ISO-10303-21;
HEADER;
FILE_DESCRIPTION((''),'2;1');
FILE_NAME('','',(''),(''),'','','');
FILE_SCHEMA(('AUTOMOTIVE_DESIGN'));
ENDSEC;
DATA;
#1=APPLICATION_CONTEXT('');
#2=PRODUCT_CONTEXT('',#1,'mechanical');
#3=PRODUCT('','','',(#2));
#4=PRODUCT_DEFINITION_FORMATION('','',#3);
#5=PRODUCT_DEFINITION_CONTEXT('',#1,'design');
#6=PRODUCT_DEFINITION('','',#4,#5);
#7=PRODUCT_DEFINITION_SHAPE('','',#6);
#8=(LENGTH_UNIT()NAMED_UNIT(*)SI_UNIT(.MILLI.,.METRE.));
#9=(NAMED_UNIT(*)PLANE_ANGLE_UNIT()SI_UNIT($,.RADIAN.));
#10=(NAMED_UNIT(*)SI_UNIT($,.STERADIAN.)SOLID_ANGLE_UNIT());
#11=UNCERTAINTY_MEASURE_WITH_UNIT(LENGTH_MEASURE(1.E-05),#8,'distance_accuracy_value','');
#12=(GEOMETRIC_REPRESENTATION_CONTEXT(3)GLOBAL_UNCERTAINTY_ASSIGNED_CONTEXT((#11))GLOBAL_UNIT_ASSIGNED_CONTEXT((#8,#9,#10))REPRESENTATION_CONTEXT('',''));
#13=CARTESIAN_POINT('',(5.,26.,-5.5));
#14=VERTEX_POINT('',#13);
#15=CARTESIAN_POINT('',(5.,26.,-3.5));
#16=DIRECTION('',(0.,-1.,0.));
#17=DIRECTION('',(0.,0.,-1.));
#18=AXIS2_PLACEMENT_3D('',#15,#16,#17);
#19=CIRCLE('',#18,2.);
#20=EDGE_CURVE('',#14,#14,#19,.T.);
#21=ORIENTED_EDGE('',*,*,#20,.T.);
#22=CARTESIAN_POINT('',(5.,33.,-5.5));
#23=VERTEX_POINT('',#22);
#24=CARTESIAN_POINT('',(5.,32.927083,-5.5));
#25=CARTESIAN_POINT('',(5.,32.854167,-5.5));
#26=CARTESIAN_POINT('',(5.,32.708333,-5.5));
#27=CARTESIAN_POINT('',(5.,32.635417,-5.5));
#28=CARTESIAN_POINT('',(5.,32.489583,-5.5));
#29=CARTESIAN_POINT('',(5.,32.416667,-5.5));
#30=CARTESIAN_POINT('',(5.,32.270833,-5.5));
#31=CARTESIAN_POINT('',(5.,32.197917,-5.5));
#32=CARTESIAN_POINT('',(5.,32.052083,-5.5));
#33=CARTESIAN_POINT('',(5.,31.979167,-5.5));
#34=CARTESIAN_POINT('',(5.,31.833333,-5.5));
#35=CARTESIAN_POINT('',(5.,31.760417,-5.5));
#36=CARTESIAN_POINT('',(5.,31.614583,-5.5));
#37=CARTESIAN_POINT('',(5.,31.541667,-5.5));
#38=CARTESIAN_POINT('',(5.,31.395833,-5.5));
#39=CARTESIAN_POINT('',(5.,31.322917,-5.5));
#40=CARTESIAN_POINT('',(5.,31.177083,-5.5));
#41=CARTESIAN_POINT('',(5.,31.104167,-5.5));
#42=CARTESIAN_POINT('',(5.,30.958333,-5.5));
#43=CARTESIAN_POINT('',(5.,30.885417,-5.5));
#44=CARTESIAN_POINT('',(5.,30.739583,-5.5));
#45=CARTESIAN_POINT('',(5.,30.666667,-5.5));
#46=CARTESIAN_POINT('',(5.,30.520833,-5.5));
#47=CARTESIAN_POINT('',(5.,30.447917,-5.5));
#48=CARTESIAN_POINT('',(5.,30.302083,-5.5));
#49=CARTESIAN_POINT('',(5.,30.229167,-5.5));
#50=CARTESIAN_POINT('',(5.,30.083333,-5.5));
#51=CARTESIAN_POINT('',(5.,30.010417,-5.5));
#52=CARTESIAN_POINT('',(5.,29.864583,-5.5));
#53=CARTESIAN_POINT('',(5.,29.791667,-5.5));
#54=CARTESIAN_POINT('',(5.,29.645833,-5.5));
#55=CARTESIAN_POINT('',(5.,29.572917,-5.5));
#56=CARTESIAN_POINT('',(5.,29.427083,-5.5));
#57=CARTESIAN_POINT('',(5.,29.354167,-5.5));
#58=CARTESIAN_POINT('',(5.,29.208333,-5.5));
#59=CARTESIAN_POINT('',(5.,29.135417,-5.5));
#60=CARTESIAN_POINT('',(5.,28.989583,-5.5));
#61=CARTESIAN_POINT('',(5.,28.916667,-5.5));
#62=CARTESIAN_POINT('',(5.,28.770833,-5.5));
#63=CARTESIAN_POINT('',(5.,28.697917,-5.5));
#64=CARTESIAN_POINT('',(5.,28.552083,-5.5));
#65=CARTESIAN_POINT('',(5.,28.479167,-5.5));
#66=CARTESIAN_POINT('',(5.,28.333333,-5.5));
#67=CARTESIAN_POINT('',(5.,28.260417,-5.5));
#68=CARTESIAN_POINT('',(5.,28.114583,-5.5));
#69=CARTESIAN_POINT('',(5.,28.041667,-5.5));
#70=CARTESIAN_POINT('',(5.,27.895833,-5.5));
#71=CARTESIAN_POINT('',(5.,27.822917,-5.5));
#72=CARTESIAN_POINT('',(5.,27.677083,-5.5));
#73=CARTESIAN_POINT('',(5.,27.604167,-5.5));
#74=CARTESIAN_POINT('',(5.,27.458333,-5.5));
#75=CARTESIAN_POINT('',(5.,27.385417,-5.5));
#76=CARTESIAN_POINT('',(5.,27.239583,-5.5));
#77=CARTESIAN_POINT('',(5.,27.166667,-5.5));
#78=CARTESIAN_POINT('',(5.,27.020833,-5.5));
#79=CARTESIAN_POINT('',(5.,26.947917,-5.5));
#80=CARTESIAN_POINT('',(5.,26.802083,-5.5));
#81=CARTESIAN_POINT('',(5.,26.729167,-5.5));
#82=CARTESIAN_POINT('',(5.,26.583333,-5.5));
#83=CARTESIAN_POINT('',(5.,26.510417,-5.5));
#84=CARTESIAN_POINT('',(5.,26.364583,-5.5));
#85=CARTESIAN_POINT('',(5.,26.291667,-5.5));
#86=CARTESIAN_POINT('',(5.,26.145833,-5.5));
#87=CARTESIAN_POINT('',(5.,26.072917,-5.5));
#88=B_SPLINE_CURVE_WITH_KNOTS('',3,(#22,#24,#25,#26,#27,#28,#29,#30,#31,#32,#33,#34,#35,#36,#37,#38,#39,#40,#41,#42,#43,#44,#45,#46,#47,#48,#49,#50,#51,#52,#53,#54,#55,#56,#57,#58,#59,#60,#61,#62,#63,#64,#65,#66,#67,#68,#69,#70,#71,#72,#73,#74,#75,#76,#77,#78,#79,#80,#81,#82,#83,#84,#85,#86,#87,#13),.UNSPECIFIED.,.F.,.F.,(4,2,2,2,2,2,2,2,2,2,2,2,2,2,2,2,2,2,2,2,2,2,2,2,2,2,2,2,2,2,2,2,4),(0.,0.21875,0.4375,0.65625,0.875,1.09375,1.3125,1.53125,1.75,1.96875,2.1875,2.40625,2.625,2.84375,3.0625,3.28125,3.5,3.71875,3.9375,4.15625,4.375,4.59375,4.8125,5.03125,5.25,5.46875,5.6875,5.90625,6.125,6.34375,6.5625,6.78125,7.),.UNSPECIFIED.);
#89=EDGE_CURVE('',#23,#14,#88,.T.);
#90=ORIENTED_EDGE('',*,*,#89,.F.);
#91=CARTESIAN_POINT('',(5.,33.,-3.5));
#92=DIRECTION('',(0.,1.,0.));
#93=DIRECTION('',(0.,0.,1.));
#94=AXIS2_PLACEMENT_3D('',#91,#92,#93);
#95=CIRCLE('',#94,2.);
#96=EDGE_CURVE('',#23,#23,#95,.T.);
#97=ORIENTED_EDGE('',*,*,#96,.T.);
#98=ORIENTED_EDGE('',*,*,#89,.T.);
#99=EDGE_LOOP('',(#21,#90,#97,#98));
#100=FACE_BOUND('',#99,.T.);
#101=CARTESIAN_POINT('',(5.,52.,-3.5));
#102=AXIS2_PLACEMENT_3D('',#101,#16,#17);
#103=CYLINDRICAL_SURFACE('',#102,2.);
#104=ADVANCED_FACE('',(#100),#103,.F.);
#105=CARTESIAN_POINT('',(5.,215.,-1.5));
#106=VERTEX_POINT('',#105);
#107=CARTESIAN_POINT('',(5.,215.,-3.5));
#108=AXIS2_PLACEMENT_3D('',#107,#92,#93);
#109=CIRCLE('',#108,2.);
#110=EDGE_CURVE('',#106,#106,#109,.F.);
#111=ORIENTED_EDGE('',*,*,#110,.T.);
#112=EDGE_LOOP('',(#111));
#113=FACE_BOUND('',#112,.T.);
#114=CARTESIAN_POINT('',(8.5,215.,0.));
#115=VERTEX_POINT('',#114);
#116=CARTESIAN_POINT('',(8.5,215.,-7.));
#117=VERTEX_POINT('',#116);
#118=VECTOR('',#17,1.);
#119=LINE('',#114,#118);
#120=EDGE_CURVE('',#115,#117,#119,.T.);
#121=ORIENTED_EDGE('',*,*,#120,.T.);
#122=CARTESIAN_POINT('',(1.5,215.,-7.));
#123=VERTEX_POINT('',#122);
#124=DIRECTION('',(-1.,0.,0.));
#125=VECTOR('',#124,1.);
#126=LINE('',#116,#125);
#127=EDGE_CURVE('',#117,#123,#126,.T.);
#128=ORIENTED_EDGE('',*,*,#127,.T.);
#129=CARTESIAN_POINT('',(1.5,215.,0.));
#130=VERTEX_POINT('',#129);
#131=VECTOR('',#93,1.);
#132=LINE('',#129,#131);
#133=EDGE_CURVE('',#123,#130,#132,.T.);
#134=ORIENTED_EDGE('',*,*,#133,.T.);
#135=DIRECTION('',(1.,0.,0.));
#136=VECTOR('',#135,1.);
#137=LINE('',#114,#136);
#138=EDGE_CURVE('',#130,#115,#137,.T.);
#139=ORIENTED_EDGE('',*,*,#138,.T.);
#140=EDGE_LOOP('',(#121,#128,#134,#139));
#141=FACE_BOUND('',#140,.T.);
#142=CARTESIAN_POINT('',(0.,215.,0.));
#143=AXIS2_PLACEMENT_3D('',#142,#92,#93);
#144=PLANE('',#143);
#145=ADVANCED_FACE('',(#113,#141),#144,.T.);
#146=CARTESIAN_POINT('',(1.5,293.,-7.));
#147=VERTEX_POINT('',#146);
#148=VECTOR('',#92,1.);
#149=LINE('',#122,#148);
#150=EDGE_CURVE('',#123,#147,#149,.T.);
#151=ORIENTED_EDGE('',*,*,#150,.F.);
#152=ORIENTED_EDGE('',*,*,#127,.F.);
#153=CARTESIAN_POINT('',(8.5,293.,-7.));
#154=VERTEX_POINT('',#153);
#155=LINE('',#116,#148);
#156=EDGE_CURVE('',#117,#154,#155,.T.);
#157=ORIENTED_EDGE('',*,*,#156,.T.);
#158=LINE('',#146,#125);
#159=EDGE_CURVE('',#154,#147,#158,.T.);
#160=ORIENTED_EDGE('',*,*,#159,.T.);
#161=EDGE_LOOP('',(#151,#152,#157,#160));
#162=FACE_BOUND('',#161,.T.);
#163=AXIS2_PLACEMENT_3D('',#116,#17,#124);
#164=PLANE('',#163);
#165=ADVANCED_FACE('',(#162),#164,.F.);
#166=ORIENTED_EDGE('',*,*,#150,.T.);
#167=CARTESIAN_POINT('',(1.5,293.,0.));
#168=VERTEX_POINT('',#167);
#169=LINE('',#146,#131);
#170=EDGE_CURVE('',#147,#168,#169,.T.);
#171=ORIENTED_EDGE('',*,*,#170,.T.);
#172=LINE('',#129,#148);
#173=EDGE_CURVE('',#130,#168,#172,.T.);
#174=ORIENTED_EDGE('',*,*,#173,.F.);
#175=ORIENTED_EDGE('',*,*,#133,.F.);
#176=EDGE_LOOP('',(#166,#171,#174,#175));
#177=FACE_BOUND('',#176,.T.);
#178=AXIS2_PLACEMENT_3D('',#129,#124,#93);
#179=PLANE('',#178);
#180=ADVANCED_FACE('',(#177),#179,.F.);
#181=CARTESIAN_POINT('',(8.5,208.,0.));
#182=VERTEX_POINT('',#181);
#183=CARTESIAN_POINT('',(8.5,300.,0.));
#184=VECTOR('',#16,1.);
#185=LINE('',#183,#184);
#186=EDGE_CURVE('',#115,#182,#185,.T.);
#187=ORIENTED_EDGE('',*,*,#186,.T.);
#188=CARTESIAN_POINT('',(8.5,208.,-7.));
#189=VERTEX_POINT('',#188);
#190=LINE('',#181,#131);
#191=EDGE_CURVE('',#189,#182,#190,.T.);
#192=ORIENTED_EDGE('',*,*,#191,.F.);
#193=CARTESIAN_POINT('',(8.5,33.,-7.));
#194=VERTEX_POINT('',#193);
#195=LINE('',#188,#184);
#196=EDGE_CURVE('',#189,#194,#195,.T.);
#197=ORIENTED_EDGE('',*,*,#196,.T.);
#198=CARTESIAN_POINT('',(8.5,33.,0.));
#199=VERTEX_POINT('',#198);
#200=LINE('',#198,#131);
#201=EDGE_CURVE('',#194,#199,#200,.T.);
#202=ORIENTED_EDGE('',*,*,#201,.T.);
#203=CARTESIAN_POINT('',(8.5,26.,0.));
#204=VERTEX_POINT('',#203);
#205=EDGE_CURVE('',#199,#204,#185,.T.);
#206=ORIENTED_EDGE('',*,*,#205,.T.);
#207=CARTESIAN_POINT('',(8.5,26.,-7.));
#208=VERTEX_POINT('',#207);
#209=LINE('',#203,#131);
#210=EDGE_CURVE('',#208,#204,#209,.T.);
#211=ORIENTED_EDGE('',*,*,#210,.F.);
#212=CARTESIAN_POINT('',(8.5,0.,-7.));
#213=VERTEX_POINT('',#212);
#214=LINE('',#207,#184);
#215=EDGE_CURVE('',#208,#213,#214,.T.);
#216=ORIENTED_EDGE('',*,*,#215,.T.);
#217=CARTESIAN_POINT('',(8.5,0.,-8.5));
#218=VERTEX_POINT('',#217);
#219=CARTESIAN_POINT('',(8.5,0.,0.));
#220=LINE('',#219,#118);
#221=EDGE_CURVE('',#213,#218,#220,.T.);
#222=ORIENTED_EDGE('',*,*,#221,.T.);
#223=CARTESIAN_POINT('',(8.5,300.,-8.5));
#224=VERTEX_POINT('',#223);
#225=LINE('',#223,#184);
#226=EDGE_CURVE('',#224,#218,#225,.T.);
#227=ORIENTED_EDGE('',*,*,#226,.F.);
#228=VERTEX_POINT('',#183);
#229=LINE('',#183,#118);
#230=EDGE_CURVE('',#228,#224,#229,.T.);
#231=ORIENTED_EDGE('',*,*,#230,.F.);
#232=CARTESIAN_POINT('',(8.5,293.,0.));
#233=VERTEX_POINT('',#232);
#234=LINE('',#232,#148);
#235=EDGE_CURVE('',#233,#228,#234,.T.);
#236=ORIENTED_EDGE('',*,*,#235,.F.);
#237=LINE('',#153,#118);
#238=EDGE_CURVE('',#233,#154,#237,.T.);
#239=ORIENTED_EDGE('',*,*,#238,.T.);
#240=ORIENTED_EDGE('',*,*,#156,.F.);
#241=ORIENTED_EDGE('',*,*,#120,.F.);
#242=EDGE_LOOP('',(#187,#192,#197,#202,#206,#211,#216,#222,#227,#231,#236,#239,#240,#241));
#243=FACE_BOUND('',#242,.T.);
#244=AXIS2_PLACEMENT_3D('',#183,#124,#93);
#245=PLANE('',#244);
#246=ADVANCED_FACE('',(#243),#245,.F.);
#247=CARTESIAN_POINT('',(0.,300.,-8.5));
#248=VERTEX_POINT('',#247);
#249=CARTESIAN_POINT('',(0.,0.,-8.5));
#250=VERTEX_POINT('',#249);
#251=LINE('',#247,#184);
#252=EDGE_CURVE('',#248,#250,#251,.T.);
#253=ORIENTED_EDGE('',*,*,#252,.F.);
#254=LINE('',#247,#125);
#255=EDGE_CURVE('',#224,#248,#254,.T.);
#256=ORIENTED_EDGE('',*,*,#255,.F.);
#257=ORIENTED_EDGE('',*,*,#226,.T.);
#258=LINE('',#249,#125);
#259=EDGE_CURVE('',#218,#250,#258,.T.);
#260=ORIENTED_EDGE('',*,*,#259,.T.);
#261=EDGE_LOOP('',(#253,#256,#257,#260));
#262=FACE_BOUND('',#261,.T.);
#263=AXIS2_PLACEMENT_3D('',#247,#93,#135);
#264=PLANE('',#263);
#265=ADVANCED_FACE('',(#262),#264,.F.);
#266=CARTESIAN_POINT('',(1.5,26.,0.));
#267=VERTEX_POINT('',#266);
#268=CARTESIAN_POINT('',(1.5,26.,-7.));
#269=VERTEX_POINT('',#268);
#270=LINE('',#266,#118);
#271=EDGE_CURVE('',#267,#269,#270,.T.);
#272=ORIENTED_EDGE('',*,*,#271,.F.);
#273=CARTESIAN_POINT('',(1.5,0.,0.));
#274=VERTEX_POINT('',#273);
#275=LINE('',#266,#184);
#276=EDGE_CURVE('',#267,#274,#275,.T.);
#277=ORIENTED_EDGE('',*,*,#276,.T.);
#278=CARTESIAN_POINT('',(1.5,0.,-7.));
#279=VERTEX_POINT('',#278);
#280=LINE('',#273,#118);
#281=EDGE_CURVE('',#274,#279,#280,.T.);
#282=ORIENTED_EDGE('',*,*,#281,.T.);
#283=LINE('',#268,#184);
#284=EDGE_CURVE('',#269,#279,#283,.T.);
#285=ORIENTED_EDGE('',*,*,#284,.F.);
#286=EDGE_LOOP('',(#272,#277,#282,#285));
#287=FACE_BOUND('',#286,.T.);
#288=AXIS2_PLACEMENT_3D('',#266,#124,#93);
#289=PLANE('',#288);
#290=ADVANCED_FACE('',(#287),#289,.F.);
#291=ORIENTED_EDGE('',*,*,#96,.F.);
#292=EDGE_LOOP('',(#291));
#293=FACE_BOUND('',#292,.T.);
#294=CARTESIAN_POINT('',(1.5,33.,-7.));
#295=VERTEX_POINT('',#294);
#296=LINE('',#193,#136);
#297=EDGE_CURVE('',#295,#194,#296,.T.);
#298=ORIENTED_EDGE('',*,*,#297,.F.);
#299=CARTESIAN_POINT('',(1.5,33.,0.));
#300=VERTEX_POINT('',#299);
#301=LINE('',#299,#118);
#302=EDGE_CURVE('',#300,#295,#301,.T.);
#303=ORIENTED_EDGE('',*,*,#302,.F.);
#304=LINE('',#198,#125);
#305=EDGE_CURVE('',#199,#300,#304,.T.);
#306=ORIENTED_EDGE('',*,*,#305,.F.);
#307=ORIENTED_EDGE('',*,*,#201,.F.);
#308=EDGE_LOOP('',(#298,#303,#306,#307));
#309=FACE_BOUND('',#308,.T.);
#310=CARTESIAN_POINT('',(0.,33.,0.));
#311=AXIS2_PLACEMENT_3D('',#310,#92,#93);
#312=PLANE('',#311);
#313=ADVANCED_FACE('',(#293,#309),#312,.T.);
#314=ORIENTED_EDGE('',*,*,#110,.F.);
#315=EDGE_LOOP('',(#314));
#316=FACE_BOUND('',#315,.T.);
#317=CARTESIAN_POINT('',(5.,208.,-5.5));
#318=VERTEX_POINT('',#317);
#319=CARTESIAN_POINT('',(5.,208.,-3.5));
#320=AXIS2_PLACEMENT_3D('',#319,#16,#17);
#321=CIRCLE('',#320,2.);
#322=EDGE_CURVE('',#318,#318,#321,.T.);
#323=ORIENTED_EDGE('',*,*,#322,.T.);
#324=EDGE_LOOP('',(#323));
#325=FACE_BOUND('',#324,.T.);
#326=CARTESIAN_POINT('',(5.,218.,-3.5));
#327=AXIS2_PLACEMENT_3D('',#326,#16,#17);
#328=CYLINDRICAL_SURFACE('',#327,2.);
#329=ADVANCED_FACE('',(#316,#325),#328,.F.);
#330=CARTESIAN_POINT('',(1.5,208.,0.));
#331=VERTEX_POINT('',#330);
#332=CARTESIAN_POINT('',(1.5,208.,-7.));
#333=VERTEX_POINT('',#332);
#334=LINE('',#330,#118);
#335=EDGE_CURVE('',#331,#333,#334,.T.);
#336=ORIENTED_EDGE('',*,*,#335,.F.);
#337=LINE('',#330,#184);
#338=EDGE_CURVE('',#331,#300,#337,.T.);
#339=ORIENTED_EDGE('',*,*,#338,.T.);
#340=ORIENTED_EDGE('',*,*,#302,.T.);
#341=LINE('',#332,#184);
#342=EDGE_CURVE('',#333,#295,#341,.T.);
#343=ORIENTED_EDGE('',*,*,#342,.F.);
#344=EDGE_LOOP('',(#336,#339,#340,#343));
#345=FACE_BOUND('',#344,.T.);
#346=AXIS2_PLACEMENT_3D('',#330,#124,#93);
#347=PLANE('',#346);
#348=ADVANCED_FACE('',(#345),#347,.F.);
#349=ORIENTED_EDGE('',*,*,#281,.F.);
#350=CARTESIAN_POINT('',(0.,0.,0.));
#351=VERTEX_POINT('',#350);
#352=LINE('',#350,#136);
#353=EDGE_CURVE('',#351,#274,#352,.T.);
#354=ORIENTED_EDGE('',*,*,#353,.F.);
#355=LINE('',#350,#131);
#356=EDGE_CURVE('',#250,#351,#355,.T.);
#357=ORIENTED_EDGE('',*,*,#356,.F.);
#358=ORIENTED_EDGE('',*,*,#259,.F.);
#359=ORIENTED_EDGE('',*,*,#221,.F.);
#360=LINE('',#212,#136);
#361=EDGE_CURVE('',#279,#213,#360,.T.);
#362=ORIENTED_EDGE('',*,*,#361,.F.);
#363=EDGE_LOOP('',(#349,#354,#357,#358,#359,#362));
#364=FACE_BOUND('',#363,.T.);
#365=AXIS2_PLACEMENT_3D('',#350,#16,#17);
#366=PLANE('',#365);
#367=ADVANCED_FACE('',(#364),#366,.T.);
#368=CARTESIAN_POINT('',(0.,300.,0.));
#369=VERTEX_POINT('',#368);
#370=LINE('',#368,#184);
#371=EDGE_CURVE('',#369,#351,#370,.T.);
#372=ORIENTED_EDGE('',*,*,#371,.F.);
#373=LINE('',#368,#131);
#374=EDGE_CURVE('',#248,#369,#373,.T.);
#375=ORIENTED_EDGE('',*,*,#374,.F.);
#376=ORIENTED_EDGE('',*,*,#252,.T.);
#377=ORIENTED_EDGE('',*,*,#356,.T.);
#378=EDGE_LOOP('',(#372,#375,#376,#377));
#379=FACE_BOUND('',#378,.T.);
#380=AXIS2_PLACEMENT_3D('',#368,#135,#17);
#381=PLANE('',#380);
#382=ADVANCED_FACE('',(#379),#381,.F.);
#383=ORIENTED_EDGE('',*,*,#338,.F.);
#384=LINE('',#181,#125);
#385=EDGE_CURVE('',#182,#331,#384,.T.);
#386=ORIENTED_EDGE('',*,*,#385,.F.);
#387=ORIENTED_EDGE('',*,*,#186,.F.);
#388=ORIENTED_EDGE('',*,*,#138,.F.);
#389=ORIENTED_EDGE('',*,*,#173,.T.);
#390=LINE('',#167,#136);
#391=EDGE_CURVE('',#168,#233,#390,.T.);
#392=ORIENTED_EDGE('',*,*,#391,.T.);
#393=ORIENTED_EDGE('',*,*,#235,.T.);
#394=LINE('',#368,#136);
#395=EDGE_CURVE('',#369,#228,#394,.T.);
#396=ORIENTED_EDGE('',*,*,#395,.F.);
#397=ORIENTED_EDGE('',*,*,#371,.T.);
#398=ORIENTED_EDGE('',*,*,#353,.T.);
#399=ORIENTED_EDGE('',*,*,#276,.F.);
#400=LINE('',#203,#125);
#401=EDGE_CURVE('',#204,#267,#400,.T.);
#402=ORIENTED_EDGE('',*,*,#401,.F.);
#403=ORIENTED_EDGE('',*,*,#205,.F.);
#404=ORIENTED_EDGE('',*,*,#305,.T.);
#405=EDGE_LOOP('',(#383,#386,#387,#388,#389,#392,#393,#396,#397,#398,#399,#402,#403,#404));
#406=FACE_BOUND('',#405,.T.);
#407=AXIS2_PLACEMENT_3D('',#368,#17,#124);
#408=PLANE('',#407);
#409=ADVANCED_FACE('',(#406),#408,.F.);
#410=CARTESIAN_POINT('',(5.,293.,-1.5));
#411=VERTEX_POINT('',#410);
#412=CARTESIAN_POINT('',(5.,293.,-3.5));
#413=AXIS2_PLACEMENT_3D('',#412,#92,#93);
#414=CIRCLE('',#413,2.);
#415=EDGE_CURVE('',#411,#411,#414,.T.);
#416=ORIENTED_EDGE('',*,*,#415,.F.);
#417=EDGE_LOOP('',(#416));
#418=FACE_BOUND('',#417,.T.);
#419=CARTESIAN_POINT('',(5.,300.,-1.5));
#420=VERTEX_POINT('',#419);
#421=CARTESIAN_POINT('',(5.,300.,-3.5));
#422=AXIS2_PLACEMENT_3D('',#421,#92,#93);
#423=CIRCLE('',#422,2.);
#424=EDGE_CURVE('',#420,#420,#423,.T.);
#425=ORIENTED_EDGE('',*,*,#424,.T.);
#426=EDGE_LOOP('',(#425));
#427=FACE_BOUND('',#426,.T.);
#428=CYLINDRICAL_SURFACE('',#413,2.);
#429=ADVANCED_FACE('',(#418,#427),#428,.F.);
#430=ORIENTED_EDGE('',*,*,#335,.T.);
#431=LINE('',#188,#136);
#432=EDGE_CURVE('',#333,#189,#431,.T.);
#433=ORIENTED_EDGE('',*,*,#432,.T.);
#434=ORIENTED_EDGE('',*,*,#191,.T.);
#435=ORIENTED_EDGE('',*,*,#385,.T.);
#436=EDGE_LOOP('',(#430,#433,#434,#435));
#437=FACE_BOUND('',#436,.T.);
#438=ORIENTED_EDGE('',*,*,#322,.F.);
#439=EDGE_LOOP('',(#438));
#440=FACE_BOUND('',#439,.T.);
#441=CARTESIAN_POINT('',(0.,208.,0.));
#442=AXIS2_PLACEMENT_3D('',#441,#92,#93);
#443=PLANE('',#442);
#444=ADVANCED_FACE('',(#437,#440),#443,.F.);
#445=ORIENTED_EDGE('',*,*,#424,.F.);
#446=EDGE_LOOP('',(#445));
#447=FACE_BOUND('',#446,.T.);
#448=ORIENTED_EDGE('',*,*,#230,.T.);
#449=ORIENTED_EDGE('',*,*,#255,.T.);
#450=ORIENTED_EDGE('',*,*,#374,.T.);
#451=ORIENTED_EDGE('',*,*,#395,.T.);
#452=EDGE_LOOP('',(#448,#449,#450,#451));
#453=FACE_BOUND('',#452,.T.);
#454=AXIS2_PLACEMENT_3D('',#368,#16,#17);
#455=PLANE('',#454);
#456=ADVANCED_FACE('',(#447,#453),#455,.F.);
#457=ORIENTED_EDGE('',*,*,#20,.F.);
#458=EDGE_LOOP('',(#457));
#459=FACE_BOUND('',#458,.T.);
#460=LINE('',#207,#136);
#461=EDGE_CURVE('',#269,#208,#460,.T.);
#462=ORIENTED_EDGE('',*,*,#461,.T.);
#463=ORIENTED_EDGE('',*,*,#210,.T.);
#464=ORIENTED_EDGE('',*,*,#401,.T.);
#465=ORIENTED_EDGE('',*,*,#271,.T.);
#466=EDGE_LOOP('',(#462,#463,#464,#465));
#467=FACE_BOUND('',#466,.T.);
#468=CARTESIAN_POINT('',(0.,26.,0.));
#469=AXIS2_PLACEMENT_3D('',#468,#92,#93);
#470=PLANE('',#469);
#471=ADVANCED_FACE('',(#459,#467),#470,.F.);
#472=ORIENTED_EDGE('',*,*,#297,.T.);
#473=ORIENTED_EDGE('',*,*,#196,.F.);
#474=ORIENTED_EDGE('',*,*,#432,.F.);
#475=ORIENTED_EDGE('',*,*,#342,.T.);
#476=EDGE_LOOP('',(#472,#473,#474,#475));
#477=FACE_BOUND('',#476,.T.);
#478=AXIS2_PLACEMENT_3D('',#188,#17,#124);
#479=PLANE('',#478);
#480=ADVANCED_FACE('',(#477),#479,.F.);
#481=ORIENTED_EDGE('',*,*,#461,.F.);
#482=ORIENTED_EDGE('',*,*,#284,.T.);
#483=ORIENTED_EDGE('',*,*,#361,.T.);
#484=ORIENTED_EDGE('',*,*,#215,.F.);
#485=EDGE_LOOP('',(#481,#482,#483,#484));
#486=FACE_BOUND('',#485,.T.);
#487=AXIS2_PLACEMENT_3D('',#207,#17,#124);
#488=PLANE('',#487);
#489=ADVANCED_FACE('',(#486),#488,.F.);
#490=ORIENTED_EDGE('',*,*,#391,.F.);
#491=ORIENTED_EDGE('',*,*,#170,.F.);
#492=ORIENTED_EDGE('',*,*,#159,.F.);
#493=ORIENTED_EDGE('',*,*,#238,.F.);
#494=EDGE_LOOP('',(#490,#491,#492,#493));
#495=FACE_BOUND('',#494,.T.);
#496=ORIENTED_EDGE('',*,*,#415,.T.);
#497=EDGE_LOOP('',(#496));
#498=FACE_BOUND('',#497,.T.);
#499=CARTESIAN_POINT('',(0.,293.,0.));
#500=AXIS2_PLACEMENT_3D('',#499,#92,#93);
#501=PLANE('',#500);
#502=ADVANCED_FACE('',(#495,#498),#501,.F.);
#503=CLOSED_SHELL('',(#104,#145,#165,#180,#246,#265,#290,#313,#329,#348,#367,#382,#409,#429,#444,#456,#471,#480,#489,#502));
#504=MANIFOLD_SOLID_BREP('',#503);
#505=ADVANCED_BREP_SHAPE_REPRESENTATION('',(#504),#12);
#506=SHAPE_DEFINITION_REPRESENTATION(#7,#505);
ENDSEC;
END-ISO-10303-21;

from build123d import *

# Parameters (mm, degrees)
SKETCH1_W           = 8.5
SKETCH1_H           = 8.5
BOSS_EXTRUDE1_DEPTH = 300
SKETCH2_W           = 7
SKETCH2_H           = 7
CUT_EXTRUDE2_DEPTH  = 175
SKETCH4_R           = 2
CUT_EXTRUDE4_DEPTH  = 10
SKETCH6_W           = 7
SKETCH6_H           = 7
CUT_EXTRUDE5_DEPTH  = 26
SKETCH7_R           = 2
CUT_EXTRUDE6_DEPTH  = 26
SKETCH8_W           = 7
SKETCH8_H           = 7
CUT_EXTRUDE7_DEPTH  = 85
BOSS_EXTRUDE2_START = -7
SKETCH9_W           = 7
SKETCH9_H           = 7
SKETCH9_R           = 2
BOSS_EXTRUDE2_DEPTH = 7


with BuildPart() as part:
    # Sketch1 → Boss-Extrude1 (new body)
    with BuildSketch(Plane(origin=(0, 0, 0), x_dir=(1, 0, 0), z_dir=(0, 1, 0))):
        with Locations((4.25, 4.25)):
            Rectangle(SKETCH1_W, SKETCH1_H)
    extrude(amount=BOSS_EXTRUDE1_DEPTH)

    # Sketch2 → Cut-Extrude2 (cut)
    with BuildSketch(Plane(origin=(0, 33, 0), x_dir=(-1, 0, 0), z_dir=(0, -1, 0))):
        with Locations((-5, 3.5)):
            Rectangle(SKETCH2_W, SKETCH2_H)
    extrude(amount=-CUT_EXTRUDE2_DEPTH, mode=Mode.SUBTRACT)

    # Sketch4 → Cut-Extrude4 (cut)
    with BuildSketch(Plane.XZ.offset(-208)):
        with Locations(Location((5, -3.5, 0), (0, 0, 270))):
            Circle(SKETCH4_R)
    extrude(amount=-CUT_EXTRUDE4_DEPTH, mode=Mode.SUBTRACT)

    # Sketch6 → Cut-Extrude5 (cut)
    with BuildSketch(Plane.XZ):
        with Locations((5, -3.5)):
            Rectangle(SKETCH6_W, SKETCH6_H)
    extrude(amount=-CUT_EXTRUDE5_DEPTH, mode=Mode.SUBTRACT)

    # Sketch7 → Cut-Extrude6 (cut)
    with BuildSketch(Plane.XZ.offset(-26)):
        with Locations(Location((5, -3.5, 0), (0, 0, 270))):
            Circle(SKETCH7_R)
    extrude(amount=-CUT_EXTRUDE6_DEPTH, mode=Mode.SUBTRACT)

    # Sketch8 → Cut-Extrude7 (cut)
    with BuildSketch(Plane(origin=(0, 300, 0), x_dir=(1, 0, 0), z_dir=(0, 1, 0))):
        with Locations((5, 3.5)):
            Rectangle(SKETCH8_W, SKETCH8_H)
    extrude(amount=-CUT_EXTRUDE7_DEPTH, mode=Mode.SUBTRACT)

    # Sketch9 → Boss-Extrude2 (add)
    with BuildSketch(Plane(origin=(0, 300, 0), x_dir=(1, 0, 0), z_dir=(0, 1, 0)).offset(BOSS_EXTRUDE2_START)):
        with Locations((5, 3.5)):
            Rectangle(SKETCH9_W, SKETCH9_H)
        with Locations(Location((5, 3.5, 0), (0, 0, 90))):
            Circle(SKETCH9_R, mode=Mode.SUBTRACT)
    extrude(amount=BOSS_EXTRUDE2_DEPTH)


solid = part.part
